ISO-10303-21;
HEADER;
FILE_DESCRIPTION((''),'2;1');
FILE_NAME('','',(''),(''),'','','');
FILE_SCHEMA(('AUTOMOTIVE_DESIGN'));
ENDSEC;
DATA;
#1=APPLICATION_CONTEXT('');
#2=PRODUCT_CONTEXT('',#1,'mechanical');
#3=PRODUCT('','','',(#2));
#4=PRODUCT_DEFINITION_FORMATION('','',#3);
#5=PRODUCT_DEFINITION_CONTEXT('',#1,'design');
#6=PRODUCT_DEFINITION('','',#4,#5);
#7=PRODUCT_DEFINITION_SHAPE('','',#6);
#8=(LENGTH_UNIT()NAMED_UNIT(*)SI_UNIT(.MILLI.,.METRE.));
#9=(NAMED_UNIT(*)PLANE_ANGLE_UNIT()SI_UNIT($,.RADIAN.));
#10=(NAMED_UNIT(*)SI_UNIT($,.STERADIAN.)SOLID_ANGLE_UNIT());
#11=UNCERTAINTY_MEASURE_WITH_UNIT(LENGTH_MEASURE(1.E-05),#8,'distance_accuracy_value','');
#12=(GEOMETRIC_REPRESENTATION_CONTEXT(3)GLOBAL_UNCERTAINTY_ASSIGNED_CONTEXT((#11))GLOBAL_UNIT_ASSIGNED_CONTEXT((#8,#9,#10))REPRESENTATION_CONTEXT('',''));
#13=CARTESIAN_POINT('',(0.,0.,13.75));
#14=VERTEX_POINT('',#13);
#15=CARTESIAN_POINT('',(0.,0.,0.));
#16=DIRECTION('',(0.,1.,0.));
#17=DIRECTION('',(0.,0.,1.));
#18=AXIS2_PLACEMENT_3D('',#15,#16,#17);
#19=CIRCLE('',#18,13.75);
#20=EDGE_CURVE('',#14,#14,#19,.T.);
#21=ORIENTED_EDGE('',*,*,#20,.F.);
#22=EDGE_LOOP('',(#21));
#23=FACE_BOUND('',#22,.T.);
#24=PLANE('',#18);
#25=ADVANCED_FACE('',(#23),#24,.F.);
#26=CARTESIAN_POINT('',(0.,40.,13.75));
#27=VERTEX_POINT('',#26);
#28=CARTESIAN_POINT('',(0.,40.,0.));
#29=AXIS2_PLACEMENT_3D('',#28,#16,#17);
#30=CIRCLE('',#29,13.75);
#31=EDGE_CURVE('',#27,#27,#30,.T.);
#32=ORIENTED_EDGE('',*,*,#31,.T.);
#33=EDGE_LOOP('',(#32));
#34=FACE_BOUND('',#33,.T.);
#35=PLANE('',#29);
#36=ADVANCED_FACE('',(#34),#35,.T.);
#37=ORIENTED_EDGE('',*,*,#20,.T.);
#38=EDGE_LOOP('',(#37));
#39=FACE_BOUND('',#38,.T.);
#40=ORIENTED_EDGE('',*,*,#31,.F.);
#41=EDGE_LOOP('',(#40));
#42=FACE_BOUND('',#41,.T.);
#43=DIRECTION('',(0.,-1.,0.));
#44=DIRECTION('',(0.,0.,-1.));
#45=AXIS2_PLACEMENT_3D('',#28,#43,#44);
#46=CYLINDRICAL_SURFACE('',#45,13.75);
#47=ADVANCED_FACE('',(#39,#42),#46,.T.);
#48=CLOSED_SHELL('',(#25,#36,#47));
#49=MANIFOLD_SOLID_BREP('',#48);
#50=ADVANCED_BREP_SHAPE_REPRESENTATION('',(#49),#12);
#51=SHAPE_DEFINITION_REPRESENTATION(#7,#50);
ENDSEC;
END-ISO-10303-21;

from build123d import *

# Parameters (mm, degrees)
SKETCH1_R           = 13.75
BOSS_EXTRUDE1_DEPTH = 40


with BuildPart() as part:
    # Sketch1 → Boss-Extrude1 (new body)
    with BuildSketch(Plane(origin=(0, 0, 0), x_dir=(1, 0, 0), z_dir=(0, 1, 0))):
        Circle(SKETCH1_R)
    extrude(amount=BOSS_EXTRUDE1_DEPTH)


solid = part.part
